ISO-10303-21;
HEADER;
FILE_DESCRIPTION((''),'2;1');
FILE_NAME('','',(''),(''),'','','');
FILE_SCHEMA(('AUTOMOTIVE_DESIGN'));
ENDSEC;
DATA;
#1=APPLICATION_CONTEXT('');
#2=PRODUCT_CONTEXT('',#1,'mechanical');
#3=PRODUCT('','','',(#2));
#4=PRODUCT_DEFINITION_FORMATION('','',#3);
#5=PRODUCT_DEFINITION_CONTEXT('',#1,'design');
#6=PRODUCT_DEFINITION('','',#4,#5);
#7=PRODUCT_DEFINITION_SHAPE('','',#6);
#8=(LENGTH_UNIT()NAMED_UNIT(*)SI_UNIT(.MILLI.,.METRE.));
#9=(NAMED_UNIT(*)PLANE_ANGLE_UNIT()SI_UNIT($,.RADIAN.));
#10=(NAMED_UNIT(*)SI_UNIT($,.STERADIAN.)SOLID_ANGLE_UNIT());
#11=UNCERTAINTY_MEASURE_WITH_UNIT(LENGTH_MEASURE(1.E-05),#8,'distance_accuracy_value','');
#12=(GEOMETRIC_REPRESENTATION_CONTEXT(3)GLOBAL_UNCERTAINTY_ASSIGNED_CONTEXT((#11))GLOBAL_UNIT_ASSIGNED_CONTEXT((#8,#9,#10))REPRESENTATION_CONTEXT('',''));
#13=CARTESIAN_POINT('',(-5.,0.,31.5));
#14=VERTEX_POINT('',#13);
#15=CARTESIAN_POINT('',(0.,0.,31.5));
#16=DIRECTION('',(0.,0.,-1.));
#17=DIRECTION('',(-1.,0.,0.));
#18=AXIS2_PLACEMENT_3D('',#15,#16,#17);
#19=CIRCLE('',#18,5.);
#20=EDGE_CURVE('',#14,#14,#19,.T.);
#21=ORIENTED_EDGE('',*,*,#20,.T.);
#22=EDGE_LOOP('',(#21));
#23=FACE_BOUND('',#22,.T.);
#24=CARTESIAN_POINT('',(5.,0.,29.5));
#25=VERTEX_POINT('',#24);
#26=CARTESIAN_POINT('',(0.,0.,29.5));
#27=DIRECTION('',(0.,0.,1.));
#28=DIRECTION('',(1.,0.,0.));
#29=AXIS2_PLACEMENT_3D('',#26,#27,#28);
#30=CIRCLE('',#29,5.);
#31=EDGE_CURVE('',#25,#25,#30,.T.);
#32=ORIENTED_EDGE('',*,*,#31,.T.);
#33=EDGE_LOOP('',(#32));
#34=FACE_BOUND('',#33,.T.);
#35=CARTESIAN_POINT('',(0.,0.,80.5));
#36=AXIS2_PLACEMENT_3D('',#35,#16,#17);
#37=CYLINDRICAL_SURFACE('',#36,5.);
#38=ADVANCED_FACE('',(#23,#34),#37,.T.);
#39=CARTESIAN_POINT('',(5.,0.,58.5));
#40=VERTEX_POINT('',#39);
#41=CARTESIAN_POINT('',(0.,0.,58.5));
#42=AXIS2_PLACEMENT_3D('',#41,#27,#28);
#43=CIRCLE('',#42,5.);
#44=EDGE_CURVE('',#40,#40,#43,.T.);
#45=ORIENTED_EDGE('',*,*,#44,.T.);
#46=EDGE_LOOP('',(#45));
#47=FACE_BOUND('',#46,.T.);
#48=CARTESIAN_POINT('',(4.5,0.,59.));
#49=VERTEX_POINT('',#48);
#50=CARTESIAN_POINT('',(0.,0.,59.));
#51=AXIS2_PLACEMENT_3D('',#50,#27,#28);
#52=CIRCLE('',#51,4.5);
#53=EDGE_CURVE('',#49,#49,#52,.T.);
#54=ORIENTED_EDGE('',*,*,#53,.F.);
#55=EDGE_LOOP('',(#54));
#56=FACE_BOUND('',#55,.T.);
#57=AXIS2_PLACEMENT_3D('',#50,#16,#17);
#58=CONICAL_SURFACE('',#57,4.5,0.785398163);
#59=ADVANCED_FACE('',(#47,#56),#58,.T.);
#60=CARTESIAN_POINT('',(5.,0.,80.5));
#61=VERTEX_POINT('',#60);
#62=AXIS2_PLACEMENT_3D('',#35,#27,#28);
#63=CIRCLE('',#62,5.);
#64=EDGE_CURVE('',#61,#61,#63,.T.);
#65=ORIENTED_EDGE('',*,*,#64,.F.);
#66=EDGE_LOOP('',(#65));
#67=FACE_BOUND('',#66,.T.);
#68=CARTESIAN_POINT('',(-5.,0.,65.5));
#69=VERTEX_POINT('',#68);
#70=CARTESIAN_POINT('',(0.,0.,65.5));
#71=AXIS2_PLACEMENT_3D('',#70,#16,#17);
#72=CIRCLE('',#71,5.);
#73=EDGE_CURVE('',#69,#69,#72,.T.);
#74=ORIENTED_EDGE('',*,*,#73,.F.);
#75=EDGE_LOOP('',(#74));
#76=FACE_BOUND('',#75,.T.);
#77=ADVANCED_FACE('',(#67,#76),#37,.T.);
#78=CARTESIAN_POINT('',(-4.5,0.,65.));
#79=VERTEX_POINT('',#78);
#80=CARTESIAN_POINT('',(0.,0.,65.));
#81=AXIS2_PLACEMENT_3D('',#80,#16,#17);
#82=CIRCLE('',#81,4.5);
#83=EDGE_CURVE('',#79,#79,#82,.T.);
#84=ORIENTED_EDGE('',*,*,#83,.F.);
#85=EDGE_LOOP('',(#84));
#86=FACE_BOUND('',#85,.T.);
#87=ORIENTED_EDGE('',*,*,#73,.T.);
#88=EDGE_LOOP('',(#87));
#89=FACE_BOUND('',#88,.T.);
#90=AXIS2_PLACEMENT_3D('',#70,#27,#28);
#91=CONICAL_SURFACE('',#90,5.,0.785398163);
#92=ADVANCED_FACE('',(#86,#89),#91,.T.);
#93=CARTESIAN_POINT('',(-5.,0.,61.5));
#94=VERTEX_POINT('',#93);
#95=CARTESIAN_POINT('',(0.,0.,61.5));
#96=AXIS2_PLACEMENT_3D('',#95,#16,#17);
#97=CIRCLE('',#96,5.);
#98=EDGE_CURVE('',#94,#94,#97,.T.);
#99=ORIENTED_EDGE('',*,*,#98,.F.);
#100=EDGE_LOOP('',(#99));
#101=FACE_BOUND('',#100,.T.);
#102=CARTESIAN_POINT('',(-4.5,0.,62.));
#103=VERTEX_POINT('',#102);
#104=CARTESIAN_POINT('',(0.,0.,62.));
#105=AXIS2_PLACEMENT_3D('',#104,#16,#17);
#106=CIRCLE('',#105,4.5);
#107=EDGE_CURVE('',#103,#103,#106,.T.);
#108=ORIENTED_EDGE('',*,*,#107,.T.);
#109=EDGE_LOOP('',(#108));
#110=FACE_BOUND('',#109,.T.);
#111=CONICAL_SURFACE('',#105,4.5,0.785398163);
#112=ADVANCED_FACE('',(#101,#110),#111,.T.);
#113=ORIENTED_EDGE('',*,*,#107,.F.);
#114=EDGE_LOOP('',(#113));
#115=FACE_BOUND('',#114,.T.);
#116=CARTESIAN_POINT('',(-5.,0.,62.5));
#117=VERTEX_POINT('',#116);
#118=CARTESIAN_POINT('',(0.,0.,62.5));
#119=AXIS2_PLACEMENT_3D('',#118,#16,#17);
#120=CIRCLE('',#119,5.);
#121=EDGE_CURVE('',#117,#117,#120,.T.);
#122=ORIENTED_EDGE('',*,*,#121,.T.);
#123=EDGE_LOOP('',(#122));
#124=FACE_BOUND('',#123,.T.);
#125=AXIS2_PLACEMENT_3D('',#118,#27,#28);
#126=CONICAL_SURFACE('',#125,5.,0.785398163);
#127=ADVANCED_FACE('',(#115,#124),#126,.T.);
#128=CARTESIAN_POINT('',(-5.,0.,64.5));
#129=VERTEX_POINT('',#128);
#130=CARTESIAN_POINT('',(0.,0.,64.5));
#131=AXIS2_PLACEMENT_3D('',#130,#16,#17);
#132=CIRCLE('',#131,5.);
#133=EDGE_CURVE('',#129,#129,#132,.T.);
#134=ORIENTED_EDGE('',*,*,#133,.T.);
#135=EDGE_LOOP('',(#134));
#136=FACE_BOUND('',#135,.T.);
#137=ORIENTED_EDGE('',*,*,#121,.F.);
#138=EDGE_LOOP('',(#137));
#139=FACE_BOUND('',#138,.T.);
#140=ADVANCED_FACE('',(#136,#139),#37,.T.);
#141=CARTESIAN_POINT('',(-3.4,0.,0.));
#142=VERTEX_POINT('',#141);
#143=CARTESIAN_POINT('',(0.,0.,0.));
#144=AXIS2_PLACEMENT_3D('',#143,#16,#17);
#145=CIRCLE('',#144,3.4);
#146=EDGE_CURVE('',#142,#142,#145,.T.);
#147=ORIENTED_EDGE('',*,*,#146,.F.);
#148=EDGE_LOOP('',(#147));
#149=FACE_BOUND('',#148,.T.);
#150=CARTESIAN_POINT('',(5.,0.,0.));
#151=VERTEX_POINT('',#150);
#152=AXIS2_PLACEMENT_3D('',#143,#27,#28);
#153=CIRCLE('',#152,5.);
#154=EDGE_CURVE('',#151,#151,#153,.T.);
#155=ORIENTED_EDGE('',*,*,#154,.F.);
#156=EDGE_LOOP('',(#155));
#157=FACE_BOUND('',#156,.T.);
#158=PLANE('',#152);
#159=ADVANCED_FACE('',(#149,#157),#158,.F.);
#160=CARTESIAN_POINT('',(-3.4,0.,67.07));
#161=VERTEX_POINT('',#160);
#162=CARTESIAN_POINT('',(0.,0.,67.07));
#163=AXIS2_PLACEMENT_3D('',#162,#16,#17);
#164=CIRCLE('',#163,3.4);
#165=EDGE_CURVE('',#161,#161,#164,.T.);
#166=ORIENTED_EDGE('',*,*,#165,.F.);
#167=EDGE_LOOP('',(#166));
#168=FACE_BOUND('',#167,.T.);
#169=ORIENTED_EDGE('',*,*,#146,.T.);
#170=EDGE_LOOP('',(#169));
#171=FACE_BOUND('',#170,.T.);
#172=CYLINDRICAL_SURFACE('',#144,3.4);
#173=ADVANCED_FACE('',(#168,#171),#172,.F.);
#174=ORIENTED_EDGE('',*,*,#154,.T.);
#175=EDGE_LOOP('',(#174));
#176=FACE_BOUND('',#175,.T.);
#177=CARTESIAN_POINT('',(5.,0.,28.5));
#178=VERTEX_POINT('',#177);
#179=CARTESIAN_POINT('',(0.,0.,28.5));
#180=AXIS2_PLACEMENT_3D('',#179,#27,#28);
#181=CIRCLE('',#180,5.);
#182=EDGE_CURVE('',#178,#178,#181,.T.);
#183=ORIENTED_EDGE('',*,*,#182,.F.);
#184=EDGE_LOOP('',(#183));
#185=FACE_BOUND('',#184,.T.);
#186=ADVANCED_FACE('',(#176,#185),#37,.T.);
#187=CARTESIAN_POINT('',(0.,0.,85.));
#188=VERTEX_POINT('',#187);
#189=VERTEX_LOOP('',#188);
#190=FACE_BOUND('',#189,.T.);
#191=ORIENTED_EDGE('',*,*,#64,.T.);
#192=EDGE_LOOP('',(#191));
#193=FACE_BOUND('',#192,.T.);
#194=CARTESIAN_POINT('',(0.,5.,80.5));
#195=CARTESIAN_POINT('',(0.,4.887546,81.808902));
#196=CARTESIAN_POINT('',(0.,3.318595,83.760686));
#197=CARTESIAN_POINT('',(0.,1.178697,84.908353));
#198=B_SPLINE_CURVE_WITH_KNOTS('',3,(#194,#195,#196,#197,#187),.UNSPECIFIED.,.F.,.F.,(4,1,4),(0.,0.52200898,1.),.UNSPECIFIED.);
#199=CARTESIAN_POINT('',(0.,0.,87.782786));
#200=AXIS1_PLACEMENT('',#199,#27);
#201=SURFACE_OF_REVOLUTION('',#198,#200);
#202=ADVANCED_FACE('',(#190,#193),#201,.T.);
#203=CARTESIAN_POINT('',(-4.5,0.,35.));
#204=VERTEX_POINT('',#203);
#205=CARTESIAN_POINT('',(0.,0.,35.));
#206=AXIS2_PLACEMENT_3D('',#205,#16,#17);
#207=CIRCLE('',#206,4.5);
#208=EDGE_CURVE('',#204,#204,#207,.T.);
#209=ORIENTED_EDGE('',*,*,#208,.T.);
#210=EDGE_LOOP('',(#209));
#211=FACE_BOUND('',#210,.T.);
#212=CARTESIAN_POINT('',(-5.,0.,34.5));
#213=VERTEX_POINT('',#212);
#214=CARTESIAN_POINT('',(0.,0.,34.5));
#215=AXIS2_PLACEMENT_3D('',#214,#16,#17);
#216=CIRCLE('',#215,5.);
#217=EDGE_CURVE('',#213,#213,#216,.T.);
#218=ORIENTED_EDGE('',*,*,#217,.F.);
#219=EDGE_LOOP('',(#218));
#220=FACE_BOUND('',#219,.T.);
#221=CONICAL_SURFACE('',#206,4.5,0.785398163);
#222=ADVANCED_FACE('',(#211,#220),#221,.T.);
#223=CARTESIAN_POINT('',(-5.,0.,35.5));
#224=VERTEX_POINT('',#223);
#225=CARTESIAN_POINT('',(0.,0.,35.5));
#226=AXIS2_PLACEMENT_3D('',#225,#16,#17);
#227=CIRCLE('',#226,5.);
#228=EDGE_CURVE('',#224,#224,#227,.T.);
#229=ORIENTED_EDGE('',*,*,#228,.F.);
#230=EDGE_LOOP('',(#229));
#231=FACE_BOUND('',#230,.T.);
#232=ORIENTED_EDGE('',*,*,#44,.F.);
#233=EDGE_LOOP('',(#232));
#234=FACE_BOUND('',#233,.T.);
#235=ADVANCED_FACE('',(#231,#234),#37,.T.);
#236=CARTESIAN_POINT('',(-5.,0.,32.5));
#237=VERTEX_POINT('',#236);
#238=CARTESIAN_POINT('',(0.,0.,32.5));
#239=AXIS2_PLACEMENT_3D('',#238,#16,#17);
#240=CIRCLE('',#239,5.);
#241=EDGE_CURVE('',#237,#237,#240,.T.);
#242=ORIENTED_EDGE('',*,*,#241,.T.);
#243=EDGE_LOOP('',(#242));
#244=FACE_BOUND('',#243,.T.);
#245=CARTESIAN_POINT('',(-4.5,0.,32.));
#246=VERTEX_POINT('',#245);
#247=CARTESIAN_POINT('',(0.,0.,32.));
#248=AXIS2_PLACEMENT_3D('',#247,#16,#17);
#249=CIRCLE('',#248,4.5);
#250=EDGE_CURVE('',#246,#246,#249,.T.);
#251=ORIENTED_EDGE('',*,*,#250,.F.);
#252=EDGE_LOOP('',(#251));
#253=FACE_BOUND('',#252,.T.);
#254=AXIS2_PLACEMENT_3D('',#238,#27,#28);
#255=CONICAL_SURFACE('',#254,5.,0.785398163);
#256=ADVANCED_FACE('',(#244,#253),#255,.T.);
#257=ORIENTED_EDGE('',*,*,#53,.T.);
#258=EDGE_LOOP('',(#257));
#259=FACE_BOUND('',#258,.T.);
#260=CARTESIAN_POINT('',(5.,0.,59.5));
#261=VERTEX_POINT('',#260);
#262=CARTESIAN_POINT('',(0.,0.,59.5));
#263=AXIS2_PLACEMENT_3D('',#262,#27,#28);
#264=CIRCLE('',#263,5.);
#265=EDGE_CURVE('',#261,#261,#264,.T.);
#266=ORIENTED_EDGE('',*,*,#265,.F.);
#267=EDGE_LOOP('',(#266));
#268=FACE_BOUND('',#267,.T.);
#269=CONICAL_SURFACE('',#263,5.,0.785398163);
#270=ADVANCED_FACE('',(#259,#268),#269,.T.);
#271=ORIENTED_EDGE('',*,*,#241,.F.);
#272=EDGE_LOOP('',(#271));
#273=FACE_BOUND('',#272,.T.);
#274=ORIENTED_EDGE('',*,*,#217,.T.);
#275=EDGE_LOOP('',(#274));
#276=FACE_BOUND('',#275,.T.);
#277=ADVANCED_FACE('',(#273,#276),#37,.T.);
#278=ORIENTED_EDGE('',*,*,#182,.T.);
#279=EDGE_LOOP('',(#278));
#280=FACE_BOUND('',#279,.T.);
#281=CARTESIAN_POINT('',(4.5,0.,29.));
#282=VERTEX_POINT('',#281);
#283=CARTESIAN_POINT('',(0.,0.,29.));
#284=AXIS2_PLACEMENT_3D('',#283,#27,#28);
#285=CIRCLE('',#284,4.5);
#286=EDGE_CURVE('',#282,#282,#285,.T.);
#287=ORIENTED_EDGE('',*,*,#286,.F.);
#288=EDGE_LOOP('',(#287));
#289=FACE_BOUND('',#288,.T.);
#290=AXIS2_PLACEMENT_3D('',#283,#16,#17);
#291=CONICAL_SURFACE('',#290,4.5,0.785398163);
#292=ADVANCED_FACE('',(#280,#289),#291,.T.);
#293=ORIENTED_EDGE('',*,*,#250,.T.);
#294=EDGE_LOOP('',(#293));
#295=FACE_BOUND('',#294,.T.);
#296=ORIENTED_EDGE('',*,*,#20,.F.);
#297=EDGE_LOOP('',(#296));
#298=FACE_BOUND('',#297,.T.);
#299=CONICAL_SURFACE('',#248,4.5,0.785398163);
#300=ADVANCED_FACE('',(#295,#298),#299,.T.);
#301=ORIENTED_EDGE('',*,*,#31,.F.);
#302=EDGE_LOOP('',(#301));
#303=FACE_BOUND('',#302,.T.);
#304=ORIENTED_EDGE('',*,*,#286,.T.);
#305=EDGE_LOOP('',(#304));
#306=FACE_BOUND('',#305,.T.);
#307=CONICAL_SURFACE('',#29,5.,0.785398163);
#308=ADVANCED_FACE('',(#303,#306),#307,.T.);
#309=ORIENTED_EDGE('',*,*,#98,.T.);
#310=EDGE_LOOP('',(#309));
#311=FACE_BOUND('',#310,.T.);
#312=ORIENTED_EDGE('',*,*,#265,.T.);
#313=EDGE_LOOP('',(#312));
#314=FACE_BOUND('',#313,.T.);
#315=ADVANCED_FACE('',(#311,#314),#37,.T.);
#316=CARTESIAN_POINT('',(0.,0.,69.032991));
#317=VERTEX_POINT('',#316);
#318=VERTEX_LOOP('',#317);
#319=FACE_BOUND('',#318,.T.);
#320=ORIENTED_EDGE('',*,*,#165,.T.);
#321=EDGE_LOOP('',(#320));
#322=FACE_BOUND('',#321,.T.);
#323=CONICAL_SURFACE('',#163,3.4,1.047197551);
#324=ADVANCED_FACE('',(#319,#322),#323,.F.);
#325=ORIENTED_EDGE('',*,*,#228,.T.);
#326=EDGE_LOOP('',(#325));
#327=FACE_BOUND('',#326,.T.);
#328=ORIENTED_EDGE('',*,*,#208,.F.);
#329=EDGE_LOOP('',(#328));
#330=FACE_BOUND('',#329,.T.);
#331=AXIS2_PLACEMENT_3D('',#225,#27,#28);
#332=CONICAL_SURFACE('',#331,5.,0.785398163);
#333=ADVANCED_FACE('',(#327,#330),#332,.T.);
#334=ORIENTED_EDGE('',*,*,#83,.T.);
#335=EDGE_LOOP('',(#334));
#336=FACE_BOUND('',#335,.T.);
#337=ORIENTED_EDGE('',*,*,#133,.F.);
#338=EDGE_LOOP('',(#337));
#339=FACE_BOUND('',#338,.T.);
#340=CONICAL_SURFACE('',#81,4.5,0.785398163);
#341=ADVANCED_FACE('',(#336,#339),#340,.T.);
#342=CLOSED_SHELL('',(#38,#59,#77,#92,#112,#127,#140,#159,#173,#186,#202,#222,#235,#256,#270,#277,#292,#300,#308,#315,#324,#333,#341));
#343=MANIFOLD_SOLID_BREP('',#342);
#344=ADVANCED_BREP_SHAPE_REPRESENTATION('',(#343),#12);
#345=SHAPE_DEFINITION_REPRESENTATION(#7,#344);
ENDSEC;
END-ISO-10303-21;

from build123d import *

# Parameters (mm, degrees)
SKETCH_1_R             = 5
EXTRUDE_1_DEPTH        = 80.5
PATTERN_LINEAR_1_COUNT = 2
PATTERN_LINEAR_1_PITCH = 30
HOLE_WIZARD_M8_1_D     = 6.8
HOLE_WIZARD_M8_1_DEPTH = 67.07
HOLE_WIZARD_M8_1_TIP   = 1.962990915


with BuildPart() as part:
    # 草图1 → 凸台-拉伸1 (new body)
    with BuildSketch(Plane.XY):
        Circle(SKETCH_1_R)
    extrude(amount=EXTRUDE_1_DEPTH)

    # 草图2 → 切除-旋转1 (revolve, cut)
    with BuildSketch(Plane(origin=(0, 0, 0), x_dir=(0, 0, -1), z_dir=(1, 0, 0)), mode=Mode.PRIVATE) as cut_revolve_1_sk:
        Polygon((-28.5, 5), (-29, 4.5), (-29.5, 5), align=None)
    cut_revolve_1 = revolve(cut_revolve_1_sk.sketch.rotate(Axis((0, 0, 95.745641227), (0, 0, -1)), 90), axis=Axis((0, 0, 95.745641227), (0, 0, -1)), mode=Mode.SUBTRACT)

    # 草图4 → 切除-旋转2 (revolve, cut)
    with BuildSketch(Plane(origin=(0, 0, 0), x_dir=(0, 0, -1), z_dir=(1, 0, 0)), mode=Mode.PRIVATE) as cut_revolve_2_sk:
        Polygon((-31.5, 5), (-32, 4.5), (-32.5, 5), align=None)
        Polygon((-34.5, 5), (-35, 4.5), (-35.5, 5), align=None)
    cut_revolve_2 = revolve(cut_revolve_2_sk.sketch.rotate(Axis((0, 0, -1.972626415), (0, 0, 1)), 90), axis=Axis((0, 0, -1.972626415), (0, 0, 1)), mode=Mode.SUBTRACT)

    # 阵列(线性)1: 切除-旋转1, 切除-旋转2 ×2
    with Locations(*[(0, 0, i * PATTERN_LINEAR_1_PITCH) for i in range(1, PATTERN_LINEAR_1_COUNT)]):
        add(cut_revolve_1, mode=Mode.SUBTRACT)
        add(cut_revolve_2, mode=Mode.SUBTRACT)

    # 草图5 → 旋转2 (revolve)
    with BuildSketch(Plane(origin=(0, 0, 0), x_dir=(0, 0, -1), z_dir=(1, 0, 0)), mode=Mode.PRIVATE) as revolve_2_sk:
        with BuildLine():
            Line((-80.5, 5), (-80.5, 0))
            Line((-80.5, 0), (-85, 0))
            add(Edge.make_bspline(
                [(-80.5, 5), (-81.808902232, 4.887546308), (-83.760685611, 3.318595148), (-84.908352583, 1.178697403), (-85, 0)],
                knots=[0, 0, 0, 0, 0.52200898, 1, 1, 1, 1], degree=3))
        make_face()
    revolve(revolve_2_sk.sketch.rotate(Axis((0, 0, 87.782786163), (0, 0, -1)), 270), axis=Axis((0, 0, 87.782786163), (0, 0, -1)))

    # M8 螺纹孔1
    with Locations(Plane(origin=(0, 0, 0), x_dir=(-1, 0, 0), z_dir=(0, 0, -1))):
        with Locations((0, 0)):
            Hole(HOLE_WIZARD_M8_1_D / 2, depth=HOLE_WIZARD_M8_1_DEPTH)
            with Locations((0, 0, -(HOLE_WIZARD_M8_1_DEPTH + HOLE_WIZARD_M8_1_TIP / 2))):  # 120° drill point
                Cone(0, HOLE_WIZARD_M8_1_D / 2, HOLE_WIZARD_M8_1_TIP, mode=Mode.SUBTRACT)


solid = part.part
